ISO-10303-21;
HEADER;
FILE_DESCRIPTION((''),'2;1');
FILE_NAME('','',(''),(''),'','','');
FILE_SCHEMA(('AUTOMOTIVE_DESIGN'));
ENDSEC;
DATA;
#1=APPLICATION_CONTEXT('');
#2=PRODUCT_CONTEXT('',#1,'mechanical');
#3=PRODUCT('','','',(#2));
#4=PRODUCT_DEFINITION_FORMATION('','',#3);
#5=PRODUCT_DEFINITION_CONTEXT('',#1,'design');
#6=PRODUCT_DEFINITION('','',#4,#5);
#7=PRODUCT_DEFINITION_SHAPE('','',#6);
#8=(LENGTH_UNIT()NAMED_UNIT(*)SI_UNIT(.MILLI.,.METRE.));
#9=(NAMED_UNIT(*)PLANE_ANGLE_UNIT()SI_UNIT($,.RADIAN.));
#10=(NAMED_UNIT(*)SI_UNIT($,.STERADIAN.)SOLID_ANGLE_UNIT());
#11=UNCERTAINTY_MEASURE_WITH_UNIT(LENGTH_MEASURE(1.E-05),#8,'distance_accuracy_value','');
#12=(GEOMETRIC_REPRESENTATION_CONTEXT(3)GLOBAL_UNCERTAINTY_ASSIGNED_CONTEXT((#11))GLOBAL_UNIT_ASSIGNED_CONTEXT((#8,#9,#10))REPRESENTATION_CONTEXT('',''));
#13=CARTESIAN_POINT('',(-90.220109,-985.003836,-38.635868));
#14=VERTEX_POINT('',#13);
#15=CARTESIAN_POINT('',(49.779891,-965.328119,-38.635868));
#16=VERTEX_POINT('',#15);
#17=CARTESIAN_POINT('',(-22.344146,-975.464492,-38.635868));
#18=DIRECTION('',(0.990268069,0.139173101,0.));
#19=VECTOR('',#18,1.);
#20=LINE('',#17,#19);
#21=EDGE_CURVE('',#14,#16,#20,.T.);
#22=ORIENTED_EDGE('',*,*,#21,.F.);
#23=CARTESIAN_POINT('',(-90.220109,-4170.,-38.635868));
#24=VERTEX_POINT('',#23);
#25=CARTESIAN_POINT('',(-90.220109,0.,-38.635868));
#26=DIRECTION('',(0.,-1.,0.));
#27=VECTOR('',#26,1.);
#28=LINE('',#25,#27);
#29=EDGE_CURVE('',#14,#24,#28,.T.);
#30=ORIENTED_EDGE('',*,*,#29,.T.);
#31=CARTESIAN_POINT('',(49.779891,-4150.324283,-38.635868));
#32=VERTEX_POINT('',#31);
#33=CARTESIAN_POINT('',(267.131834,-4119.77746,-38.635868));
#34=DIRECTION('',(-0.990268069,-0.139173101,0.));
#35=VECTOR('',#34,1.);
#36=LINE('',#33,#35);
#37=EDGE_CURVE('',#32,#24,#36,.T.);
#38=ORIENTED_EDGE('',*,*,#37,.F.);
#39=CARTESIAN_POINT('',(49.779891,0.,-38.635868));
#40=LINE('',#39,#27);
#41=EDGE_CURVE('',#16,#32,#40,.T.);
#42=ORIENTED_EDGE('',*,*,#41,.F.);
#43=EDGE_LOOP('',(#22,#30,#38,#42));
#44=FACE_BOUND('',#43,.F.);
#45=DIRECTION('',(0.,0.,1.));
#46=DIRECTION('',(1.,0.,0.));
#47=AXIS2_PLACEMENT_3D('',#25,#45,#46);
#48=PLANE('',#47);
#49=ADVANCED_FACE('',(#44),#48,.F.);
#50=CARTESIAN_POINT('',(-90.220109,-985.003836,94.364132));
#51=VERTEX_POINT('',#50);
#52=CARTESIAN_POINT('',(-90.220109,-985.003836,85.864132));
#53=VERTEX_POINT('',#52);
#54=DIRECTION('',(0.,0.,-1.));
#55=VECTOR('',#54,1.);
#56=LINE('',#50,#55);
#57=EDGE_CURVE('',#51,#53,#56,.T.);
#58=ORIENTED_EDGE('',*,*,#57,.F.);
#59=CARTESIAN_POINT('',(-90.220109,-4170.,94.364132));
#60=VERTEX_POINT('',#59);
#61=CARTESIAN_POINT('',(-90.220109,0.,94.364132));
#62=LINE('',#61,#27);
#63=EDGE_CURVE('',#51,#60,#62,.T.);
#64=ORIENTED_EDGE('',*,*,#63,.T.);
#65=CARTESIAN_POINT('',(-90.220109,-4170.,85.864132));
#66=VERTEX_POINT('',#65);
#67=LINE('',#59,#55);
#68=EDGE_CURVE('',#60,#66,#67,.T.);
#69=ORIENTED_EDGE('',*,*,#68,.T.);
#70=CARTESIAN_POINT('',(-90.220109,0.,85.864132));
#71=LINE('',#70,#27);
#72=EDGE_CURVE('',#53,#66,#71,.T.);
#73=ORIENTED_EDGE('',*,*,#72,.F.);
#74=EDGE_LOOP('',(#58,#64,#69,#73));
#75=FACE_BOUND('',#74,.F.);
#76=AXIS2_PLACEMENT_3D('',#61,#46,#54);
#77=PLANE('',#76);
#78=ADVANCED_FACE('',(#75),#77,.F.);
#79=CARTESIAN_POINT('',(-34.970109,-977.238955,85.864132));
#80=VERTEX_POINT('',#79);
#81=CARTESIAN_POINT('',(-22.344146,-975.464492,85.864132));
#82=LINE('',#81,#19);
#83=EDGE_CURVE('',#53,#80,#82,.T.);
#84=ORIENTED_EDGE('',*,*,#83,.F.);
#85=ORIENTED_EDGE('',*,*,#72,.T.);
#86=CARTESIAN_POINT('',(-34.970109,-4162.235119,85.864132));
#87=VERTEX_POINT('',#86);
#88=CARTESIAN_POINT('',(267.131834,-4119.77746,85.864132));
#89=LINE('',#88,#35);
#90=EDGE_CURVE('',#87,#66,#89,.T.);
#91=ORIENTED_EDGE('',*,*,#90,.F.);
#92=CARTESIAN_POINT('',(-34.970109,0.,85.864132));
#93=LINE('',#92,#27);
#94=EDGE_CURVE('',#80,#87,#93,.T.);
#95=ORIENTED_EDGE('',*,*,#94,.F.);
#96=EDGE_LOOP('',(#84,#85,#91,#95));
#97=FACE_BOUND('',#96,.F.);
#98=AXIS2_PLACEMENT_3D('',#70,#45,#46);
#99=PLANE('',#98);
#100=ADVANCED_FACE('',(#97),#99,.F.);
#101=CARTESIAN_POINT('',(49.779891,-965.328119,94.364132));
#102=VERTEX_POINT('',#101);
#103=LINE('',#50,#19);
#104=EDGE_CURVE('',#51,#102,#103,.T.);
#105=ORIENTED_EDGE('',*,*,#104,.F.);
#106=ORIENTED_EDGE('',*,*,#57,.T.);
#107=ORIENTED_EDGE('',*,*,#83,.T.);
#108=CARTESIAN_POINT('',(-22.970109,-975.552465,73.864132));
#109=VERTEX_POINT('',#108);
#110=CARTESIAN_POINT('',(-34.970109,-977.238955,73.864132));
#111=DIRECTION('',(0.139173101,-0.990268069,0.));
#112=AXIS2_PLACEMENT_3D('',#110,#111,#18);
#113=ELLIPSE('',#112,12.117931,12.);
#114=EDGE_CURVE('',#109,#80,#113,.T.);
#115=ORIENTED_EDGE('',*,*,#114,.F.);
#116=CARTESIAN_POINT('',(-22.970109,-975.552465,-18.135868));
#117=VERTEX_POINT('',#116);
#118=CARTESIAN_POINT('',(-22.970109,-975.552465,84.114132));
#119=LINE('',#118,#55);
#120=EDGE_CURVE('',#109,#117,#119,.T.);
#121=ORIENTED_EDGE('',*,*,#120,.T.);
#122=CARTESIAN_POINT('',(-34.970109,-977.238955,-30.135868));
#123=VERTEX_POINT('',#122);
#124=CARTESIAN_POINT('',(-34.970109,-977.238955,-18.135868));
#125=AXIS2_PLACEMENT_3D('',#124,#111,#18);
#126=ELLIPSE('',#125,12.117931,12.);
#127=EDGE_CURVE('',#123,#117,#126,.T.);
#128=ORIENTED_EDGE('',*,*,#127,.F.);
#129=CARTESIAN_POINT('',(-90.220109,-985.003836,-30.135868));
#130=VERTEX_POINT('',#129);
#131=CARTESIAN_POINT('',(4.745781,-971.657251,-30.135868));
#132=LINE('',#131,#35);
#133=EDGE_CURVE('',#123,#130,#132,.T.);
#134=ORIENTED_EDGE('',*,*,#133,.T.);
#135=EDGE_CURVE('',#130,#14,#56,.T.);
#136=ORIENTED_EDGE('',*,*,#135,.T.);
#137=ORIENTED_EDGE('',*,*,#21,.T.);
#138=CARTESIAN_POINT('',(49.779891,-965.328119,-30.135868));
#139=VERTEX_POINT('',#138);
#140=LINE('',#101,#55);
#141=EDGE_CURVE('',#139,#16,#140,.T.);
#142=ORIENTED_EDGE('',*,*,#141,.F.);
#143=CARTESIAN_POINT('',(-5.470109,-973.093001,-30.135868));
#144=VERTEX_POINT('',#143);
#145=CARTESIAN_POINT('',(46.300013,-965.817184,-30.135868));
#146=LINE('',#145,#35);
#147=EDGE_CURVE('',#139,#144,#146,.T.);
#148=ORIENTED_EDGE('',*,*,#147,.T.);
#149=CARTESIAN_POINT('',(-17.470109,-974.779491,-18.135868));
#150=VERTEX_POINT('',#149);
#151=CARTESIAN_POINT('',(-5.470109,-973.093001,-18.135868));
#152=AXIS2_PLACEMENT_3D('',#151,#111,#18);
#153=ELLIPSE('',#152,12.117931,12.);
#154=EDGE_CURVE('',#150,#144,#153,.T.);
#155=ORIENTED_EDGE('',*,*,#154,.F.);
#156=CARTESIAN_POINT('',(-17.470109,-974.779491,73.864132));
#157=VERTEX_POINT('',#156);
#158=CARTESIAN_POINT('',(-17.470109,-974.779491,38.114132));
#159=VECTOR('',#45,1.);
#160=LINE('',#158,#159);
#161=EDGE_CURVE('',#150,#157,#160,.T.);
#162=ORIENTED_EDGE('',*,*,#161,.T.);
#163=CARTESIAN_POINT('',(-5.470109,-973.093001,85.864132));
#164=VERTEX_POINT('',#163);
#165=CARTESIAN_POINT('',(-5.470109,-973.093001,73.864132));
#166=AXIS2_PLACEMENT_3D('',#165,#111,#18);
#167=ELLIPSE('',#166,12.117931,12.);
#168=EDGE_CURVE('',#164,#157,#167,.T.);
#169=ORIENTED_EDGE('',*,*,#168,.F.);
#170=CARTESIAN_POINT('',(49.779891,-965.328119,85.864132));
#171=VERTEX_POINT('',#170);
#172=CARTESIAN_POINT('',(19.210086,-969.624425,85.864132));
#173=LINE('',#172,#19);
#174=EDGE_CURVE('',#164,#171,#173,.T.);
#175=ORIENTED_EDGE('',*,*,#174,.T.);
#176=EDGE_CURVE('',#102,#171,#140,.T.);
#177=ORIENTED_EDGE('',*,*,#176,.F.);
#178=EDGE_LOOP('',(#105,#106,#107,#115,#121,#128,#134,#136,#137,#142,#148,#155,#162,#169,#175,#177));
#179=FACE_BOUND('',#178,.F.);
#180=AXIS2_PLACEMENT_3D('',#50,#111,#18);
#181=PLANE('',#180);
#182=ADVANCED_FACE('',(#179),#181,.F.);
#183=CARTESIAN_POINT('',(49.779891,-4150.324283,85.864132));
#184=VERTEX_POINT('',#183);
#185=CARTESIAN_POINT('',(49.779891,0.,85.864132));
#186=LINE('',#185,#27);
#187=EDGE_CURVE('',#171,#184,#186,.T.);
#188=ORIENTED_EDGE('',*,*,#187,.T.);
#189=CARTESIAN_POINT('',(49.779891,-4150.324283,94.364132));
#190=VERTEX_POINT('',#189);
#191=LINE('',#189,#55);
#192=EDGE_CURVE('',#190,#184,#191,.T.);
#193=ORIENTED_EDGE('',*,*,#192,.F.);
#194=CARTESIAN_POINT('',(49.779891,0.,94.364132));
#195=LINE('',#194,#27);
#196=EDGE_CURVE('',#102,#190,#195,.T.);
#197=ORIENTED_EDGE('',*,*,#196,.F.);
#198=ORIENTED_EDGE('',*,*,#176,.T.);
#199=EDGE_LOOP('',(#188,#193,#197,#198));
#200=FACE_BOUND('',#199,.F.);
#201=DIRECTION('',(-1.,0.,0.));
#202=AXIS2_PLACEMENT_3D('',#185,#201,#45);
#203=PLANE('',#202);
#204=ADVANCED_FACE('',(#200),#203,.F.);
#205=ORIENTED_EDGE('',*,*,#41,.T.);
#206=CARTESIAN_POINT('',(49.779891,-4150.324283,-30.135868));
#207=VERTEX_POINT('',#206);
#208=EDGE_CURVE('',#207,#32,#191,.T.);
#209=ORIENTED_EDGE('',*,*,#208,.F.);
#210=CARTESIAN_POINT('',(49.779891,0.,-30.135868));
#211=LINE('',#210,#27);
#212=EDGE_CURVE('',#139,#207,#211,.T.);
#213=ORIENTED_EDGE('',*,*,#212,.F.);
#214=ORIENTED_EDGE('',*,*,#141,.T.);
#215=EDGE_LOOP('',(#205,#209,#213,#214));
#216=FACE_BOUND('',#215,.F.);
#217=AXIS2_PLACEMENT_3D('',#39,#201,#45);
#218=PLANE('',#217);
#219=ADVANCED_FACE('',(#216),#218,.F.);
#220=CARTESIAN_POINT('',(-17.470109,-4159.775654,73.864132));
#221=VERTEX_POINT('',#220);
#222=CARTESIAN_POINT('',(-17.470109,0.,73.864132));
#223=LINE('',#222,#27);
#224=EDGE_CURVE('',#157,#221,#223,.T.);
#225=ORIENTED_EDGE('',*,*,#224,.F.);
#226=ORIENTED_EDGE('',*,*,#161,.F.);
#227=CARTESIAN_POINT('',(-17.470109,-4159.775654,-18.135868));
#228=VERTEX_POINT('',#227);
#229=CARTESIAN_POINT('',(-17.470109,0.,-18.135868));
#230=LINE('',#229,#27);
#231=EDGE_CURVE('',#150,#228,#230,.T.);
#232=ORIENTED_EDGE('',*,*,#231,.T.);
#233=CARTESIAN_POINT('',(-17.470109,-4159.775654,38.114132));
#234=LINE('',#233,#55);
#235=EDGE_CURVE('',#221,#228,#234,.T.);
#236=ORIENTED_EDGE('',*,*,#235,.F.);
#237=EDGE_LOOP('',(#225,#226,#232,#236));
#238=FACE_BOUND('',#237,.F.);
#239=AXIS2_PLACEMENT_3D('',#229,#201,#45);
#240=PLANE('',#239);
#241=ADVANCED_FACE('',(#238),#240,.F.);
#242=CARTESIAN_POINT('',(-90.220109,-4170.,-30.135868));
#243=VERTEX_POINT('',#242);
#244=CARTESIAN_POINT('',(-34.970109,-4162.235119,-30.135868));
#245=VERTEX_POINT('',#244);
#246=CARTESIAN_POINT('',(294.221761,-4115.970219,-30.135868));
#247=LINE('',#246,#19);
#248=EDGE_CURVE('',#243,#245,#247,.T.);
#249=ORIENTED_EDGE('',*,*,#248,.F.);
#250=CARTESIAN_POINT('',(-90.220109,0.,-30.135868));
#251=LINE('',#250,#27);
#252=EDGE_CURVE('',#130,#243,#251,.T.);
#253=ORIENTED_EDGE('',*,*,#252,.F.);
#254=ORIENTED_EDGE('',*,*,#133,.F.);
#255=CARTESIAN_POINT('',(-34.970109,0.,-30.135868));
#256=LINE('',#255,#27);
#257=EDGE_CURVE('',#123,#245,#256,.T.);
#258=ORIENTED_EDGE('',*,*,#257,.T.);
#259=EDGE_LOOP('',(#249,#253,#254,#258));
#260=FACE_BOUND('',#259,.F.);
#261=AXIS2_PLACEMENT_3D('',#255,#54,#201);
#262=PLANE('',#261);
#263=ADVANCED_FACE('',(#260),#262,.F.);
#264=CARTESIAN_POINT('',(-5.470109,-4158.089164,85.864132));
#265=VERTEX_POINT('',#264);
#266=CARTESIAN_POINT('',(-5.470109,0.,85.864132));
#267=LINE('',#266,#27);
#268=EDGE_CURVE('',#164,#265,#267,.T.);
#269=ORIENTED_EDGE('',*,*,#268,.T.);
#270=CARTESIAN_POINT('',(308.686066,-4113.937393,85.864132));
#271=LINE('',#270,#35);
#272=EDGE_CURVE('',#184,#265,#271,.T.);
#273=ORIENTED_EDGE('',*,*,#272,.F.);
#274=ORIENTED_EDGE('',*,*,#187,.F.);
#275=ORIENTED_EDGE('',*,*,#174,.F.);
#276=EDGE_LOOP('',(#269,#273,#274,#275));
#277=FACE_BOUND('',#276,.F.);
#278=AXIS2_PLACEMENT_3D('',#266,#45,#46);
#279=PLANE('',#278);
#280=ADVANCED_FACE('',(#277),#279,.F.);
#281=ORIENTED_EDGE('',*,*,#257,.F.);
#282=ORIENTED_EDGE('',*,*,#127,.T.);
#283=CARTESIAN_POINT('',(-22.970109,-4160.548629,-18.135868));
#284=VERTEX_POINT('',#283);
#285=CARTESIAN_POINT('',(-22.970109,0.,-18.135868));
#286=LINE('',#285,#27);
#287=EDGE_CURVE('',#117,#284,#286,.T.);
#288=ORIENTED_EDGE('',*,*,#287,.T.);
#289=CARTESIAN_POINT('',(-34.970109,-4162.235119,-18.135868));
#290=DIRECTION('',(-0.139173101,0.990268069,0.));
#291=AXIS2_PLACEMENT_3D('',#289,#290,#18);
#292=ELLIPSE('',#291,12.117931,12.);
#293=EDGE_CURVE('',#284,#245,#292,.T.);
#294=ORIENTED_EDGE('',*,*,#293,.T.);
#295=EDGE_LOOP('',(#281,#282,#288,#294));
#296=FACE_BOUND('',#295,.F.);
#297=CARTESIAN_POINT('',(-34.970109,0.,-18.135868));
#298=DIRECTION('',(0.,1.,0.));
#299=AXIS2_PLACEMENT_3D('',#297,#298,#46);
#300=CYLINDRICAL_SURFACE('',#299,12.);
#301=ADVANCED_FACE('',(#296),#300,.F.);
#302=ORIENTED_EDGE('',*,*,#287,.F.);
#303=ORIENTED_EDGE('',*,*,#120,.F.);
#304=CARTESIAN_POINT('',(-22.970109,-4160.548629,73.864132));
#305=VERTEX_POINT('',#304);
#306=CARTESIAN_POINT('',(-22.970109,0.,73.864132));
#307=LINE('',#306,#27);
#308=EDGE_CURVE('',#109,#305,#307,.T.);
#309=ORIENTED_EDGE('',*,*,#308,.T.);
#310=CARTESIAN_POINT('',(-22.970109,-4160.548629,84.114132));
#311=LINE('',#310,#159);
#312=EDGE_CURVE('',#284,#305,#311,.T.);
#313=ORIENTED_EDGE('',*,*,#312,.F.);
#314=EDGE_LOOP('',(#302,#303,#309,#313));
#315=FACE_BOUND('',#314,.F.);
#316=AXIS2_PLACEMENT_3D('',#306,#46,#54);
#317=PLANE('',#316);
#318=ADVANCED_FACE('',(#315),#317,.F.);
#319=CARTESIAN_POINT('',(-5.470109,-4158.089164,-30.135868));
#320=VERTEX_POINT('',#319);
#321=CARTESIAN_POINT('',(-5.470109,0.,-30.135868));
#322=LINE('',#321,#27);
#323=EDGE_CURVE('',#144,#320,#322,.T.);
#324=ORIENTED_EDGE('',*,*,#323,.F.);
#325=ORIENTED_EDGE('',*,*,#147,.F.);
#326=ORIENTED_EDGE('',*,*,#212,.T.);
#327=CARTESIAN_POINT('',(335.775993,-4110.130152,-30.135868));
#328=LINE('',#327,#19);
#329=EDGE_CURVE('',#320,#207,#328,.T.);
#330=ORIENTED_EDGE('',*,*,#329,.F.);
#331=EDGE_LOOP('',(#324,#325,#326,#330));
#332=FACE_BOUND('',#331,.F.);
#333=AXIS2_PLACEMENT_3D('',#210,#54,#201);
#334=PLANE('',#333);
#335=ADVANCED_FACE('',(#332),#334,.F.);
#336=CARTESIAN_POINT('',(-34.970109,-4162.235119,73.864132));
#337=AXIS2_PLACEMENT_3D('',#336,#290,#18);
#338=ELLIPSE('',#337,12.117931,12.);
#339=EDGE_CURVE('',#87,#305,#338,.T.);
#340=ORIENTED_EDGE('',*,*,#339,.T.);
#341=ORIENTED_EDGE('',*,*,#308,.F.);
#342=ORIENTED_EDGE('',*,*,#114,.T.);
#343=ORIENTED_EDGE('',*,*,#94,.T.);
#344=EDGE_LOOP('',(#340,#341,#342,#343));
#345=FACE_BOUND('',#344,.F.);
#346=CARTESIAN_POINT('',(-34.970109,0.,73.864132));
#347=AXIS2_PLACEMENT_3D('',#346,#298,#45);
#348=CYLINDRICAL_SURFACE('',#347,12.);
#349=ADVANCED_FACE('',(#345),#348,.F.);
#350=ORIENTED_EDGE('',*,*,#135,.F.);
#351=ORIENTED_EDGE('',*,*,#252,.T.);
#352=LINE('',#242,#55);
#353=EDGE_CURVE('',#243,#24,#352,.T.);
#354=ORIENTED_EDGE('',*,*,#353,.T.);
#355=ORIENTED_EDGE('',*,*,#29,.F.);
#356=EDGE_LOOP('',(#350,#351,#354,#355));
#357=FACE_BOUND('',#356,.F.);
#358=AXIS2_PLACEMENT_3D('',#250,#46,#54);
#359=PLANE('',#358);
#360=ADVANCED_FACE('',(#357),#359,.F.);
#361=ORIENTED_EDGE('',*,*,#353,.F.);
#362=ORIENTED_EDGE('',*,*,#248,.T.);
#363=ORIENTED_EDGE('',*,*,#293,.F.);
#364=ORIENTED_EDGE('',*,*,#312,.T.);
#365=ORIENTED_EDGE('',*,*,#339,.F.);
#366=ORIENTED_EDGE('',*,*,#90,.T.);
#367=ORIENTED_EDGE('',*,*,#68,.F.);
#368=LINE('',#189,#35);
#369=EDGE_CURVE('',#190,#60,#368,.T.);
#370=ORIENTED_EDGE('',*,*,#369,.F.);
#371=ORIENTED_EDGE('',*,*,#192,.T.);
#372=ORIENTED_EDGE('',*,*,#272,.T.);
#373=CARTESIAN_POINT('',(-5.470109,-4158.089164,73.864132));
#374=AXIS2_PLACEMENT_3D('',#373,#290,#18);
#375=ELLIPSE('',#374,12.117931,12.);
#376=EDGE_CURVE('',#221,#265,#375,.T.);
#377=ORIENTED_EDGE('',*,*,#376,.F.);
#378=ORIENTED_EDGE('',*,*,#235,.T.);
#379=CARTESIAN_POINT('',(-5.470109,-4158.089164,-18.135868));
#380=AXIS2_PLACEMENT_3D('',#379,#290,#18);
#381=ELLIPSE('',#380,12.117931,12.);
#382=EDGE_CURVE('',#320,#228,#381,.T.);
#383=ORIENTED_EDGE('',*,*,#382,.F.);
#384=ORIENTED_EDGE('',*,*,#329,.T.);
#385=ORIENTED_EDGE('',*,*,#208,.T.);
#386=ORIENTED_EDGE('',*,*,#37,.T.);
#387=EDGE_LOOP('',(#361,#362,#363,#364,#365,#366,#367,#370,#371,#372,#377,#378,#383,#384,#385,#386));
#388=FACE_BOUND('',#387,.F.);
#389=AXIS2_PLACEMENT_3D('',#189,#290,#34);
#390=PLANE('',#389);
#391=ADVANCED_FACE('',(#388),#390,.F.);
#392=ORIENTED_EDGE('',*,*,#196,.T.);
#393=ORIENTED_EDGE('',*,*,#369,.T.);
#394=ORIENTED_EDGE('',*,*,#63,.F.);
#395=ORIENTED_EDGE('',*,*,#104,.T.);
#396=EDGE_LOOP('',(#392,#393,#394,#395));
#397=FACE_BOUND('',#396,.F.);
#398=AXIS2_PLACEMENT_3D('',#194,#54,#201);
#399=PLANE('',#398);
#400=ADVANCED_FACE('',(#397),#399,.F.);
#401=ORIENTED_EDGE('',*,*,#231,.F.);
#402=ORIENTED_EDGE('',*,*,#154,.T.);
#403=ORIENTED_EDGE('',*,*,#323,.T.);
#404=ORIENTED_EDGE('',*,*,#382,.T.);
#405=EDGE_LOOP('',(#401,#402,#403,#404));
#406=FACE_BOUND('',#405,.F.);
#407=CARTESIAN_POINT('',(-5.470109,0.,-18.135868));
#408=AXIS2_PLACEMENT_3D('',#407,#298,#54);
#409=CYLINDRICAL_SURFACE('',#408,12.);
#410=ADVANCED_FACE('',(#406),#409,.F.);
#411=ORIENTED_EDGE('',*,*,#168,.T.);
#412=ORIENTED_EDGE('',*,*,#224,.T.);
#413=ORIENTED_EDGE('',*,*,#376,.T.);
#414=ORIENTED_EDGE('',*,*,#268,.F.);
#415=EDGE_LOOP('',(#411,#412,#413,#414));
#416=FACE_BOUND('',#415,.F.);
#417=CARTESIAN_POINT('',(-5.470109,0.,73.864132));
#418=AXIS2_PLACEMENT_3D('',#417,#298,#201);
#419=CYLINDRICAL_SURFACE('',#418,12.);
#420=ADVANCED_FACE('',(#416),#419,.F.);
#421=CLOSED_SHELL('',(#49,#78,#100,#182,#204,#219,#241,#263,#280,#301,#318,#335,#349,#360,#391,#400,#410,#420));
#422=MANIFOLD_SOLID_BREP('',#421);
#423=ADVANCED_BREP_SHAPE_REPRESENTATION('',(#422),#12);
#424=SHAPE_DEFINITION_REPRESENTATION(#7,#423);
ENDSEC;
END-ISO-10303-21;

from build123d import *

# Parameters (mm, degrees)
F1_DEPTH = 4170
F3_DEPTH = 200


with BuildPart() as f1:
    # F0 (on Front) → F1 (new body)
    with BuildSketch(Plane.XZ):
        with BuildLine():
            Line((-90.2201094776, -30.1358679575), (-90.2201094776, -38.6358679575))
            Line((-90.2201094776, -38.6358679575), (49.7798905224, -38.6358679575))
            Line((49.7798905224, -38.6358679575), (49.7798905224, -30.1358679575))
            Line((49.7798905224, -30.1358679575), (-5.4701094776, -30.1358679575))
            ThreePointArc((-5.4701094776, -30.1358679575), (-13.9553908519, -26.6211493317), (-17.4701094776, -18.1358679575))
            Line((-17.4701094776, -18.1358679575), (-17.4701094776, 73.8641320425))
            ThreePointArc((-17.4701094776, 73.8641320425), (-13.9553908519, 82.3494134168), (-5.4701094776, 85.8641320425))
            Line((-5.4701094776, 85.8641320425), (49.7798905224, 85.8641320425))
            Line((49.7798905224, 85.8641320425), (49.7798905224, 94.3641320425))
            Line((49.7798905224, 94.3641320425), (-90.2201094776, 94.3641320425))
            Line((-90.2201094776, 94.3641320425), (-90.2201094776, 85.8641320425))
            Line((-90.2201094776, 85.8641320425), (-34.9701094776, 85.8641320425))
            ThreePointArc((-34.9701094776, 85.8641320425), (-26.4848281034, 82.3494134168), (-22.9701094776, 73.8641320425))
            Line((-22.9701094776, 73.8641320425), (-22.9701094776, -18.1358679575))
            ThreePointArc((-22.9701094776, -18.1358679575), (-26.4848281034, -26.6211493317), (-34.9701094776, -30.1358679575))
            Line((-34.9701094776, -30.1358679575), (-90.2201094776, -30.1358679575))
        make_face()
    extrude(amount=F1_DEPTH)

    # F2 (on face) → F3 (cut)
    with BuildSketch(Plane.XY.offset(94.3641320425)):
        Polygon((49.7798905224, -4150.3242831417), (-90.2201094776, -4170), (49.7798905224, -4170), align=None)
        Polygon((-90.2201094776, 0), (-90.2201094776, -985.0038362763), (49.7798905224, -965.3281194179), (49.7798905224, 0), align=None)
    extrude(amount=-F3_DEPTH, mode=Mode.SUBTRACT)


solid = f1.part
